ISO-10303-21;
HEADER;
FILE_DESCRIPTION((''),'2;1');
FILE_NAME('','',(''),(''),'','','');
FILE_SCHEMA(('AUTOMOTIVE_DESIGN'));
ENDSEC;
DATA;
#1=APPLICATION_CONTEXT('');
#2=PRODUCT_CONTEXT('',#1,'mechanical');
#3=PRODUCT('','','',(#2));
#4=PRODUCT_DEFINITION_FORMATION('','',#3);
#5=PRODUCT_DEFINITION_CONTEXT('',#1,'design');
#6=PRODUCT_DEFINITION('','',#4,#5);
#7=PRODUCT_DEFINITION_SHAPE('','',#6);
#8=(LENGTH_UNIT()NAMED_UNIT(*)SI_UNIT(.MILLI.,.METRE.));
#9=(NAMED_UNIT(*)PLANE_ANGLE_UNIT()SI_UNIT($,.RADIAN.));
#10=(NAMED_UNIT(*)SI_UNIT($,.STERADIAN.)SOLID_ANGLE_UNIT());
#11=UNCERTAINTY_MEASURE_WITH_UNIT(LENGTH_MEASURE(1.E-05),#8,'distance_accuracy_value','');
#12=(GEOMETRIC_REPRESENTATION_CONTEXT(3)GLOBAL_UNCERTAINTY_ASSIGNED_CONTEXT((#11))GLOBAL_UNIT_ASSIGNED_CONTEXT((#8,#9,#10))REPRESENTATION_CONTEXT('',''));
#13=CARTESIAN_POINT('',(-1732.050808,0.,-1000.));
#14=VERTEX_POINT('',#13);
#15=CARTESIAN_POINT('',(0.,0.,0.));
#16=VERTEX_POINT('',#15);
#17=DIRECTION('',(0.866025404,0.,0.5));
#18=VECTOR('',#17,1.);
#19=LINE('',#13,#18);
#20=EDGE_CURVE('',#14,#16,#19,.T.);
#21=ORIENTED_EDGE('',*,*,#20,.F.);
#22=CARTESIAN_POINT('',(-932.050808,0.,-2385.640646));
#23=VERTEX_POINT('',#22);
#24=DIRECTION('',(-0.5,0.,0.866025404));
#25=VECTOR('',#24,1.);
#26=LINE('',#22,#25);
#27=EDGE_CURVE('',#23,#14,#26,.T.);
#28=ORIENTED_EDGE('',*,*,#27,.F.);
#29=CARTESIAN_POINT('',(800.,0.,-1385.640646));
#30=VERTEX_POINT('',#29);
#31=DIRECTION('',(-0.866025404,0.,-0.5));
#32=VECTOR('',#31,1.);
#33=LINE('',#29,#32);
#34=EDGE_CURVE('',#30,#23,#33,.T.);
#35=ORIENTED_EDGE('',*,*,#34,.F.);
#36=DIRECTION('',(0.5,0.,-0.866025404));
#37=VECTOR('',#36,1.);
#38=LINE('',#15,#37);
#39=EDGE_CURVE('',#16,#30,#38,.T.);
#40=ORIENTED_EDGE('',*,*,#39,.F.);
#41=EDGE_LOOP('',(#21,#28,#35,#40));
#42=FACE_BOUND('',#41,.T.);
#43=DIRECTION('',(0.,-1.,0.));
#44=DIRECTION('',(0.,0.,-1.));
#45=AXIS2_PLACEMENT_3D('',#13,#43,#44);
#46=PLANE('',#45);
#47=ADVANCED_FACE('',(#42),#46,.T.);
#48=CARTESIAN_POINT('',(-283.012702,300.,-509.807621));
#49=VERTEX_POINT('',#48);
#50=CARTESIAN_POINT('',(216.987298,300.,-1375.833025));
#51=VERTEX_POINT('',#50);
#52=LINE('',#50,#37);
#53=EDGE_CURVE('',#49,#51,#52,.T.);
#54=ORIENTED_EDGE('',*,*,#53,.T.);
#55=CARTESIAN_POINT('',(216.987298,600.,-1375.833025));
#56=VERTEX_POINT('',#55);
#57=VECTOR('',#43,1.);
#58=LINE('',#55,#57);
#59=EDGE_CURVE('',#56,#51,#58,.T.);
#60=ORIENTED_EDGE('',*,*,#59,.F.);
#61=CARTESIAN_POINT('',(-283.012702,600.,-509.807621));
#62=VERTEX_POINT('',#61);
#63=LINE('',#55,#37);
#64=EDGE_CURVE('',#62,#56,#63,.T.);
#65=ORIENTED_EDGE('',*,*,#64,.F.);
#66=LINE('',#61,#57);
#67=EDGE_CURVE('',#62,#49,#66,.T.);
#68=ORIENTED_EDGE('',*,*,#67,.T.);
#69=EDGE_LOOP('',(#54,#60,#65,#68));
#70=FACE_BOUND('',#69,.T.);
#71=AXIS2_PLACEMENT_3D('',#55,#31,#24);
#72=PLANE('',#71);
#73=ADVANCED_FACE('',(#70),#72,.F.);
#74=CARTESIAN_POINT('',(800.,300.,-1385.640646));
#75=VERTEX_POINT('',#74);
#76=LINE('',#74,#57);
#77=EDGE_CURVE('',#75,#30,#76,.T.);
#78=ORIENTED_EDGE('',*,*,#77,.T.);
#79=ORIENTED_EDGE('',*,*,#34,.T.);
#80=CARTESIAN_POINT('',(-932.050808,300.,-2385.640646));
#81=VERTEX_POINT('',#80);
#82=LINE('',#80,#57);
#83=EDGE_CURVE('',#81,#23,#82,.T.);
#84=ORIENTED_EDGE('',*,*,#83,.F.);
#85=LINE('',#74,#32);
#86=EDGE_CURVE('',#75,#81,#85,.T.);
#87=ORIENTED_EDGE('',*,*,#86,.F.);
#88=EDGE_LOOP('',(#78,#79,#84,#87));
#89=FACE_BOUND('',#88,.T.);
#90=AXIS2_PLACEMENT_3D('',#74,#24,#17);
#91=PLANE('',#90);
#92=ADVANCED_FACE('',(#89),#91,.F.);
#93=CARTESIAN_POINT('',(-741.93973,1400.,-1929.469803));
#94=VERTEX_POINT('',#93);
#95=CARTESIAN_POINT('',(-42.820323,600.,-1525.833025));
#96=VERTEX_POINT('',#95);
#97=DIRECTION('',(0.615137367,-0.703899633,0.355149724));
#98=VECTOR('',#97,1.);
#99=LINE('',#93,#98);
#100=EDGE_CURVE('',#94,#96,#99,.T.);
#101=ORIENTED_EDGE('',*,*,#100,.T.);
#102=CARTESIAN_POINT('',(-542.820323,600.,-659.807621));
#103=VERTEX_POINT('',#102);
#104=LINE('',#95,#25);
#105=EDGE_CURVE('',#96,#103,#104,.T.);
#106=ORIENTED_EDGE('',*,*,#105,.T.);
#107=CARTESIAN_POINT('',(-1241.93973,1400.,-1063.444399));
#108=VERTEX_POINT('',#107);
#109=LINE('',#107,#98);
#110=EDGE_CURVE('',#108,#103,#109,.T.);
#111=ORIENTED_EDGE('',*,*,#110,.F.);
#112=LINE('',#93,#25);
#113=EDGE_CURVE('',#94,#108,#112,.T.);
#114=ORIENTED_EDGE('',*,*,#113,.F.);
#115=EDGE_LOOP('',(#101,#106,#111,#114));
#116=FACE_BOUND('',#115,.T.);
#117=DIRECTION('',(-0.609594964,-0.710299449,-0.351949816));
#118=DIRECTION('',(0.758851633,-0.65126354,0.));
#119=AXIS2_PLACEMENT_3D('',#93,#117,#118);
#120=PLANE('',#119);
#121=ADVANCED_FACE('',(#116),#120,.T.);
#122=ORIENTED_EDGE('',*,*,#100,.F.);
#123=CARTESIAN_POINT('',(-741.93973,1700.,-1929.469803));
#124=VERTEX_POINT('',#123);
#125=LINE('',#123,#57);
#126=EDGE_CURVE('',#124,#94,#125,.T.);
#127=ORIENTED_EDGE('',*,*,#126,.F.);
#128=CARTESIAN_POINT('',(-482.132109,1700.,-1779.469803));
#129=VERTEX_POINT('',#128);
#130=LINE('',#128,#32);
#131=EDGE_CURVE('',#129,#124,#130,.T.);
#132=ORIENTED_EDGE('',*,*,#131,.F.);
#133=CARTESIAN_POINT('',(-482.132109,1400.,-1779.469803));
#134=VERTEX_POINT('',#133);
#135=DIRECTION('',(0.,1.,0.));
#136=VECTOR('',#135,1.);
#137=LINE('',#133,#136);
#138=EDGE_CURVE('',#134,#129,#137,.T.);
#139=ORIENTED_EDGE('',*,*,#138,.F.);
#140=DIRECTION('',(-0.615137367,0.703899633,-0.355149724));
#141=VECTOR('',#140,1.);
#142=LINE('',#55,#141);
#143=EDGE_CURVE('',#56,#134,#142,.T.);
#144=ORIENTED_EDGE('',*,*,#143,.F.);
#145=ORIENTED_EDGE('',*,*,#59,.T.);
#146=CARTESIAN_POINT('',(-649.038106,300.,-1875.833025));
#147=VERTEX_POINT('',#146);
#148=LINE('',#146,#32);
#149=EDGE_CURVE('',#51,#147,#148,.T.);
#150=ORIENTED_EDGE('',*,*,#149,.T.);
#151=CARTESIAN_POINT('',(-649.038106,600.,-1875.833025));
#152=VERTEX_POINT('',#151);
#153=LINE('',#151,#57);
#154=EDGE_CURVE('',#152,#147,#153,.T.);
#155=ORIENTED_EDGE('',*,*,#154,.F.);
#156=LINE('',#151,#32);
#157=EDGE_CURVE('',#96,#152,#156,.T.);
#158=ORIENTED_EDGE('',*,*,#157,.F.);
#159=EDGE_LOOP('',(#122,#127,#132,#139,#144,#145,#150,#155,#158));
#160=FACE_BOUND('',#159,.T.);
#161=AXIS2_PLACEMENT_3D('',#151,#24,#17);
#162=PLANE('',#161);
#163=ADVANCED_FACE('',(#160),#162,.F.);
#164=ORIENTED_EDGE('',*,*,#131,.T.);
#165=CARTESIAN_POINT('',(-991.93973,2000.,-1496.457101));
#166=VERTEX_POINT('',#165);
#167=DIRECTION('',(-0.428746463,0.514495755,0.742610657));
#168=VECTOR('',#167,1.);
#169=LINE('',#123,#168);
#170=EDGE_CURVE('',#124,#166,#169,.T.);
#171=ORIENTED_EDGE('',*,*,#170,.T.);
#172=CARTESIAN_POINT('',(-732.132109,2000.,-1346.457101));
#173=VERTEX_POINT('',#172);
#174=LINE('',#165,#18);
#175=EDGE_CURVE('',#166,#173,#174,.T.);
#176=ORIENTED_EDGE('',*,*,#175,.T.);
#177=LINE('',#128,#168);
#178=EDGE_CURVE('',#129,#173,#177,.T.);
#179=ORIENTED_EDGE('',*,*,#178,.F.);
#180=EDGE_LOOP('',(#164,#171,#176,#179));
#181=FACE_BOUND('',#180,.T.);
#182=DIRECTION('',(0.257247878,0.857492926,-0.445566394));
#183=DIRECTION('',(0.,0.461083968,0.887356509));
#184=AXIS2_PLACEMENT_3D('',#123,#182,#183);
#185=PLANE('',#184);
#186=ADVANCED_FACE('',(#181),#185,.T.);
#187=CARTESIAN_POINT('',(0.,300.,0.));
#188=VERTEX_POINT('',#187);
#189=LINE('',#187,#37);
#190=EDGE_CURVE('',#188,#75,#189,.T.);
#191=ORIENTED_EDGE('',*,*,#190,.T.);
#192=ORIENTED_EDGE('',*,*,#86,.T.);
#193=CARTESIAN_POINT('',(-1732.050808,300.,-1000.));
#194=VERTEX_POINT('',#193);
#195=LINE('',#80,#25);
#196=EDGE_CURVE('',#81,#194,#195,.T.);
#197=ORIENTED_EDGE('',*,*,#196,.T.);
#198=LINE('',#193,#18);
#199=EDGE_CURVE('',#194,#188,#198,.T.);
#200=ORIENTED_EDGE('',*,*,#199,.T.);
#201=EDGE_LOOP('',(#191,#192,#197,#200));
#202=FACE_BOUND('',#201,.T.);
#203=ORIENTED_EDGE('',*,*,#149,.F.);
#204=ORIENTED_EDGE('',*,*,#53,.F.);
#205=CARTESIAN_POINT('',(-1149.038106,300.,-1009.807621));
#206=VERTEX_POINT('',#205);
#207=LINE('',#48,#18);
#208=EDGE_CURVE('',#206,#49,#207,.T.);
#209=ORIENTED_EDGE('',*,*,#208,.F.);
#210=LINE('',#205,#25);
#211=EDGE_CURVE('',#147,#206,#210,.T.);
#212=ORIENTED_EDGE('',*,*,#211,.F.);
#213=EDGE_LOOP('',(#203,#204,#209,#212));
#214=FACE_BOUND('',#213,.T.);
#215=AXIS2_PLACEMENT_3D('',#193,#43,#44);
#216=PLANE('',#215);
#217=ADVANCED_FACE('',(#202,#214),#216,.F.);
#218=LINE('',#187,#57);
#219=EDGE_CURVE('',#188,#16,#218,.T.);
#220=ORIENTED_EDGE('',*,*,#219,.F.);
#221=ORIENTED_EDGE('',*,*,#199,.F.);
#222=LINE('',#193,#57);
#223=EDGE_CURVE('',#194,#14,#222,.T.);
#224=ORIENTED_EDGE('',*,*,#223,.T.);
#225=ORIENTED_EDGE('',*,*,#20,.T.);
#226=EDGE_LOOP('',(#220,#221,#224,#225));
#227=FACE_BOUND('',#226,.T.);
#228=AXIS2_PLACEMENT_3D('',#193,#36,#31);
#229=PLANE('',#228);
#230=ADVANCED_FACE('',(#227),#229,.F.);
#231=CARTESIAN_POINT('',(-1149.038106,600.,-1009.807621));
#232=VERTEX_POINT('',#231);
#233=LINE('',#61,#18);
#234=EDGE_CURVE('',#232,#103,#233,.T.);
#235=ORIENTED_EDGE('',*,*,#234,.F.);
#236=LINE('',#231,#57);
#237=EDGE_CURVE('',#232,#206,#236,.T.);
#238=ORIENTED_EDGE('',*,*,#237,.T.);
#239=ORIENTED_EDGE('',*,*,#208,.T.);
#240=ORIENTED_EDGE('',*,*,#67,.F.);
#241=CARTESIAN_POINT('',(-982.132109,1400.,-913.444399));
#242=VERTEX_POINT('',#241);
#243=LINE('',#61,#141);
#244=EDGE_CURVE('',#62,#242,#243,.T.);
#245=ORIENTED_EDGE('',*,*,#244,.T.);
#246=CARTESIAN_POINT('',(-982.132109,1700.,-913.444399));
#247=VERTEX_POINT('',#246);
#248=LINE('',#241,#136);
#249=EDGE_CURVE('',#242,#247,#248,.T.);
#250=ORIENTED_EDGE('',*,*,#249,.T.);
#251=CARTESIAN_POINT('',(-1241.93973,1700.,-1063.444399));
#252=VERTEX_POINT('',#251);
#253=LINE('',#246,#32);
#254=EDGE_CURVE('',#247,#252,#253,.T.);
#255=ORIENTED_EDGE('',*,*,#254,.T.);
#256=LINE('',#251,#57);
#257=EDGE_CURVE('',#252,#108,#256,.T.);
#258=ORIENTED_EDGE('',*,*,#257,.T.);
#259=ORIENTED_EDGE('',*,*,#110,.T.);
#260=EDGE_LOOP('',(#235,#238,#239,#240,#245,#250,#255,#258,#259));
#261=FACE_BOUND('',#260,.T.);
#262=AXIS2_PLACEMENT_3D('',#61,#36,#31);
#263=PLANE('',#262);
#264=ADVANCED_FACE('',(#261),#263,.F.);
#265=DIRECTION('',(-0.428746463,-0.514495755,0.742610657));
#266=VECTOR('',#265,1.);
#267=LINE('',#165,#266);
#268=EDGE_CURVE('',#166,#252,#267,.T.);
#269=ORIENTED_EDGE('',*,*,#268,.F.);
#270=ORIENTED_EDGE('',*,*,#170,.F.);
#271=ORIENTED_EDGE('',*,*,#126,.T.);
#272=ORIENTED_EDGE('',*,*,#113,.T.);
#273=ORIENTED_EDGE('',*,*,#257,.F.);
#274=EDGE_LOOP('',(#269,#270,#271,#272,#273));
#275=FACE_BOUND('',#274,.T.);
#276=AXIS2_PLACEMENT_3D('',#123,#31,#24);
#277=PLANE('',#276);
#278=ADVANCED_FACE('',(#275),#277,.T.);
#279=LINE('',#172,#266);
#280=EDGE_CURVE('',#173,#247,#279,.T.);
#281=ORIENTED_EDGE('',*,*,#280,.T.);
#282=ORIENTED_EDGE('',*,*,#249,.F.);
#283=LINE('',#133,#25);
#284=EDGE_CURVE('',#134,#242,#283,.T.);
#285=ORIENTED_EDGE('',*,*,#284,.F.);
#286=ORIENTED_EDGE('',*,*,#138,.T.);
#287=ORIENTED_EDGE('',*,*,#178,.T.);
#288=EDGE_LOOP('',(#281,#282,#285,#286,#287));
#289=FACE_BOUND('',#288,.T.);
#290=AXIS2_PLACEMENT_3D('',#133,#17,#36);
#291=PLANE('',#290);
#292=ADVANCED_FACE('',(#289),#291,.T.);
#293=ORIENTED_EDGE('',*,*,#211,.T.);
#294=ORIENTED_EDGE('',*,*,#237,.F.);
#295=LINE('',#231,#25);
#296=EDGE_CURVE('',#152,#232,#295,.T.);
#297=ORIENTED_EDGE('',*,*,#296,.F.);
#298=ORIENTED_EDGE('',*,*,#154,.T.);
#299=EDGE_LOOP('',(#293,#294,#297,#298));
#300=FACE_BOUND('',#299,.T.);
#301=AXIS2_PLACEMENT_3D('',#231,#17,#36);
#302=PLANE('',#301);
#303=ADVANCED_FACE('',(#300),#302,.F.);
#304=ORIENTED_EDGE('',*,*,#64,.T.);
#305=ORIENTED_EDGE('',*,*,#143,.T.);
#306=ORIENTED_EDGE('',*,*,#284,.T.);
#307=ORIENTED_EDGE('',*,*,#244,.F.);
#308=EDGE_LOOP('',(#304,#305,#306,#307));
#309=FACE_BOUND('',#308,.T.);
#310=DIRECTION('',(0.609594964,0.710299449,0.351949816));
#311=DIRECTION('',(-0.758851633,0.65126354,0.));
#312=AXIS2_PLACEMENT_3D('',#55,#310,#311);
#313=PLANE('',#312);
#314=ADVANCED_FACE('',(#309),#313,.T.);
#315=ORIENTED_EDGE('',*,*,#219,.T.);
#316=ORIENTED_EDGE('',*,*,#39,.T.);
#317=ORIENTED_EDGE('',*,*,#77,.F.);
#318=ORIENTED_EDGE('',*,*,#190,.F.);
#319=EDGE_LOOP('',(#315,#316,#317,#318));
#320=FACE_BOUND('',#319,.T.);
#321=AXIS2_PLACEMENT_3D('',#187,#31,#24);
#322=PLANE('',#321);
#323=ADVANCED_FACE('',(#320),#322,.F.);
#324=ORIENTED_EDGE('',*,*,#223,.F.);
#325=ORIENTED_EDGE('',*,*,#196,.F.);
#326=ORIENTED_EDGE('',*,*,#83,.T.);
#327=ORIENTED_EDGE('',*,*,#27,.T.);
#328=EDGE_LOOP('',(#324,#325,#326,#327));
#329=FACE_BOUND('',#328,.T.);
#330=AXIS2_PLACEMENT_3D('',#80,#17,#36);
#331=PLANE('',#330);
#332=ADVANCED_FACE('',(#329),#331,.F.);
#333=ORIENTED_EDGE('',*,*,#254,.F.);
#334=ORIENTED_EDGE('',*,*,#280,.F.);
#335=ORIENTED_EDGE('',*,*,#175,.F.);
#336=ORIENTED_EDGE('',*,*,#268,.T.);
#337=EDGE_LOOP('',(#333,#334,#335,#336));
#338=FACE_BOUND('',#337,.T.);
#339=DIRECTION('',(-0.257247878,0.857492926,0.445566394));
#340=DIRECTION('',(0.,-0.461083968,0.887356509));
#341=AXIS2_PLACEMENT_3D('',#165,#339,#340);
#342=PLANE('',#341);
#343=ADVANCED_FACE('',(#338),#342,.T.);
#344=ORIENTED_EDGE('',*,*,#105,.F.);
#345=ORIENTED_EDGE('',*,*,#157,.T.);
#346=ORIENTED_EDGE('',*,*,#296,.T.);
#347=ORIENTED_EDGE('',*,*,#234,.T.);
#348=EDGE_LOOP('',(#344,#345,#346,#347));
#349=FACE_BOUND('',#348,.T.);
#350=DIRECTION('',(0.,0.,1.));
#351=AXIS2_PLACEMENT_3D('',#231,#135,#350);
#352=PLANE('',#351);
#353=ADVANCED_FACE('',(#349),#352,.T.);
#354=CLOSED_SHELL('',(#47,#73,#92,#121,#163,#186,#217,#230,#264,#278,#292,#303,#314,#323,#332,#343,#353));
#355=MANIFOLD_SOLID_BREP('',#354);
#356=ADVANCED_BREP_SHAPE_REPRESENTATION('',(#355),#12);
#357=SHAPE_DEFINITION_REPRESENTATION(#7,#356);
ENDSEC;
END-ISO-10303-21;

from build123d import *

# Parameters (mm, degrees)
EXTRUDE1_DEPTH = 300
EXTRUDE2_DEPTH = 300
EXTRUDE3_DEPTH = 1000
EXTRUDE4_DEPTH = 300


with BuildPart() as part:
    # Sketch1 → Extrude1 (new body)
    with BuildSketch(Plane(origin=(0, 0, 0), x_dir=(1, 0, 0), z_dir=(0, 1, 0))):
        Polygon((0, 0), (800, 1385.640646055), (-932.050807569, 2385.640646055), (-1732.050807569, 1000), align=None)
    extrude(amount=EXTRUDE1_DEPTH)

    # Sketch2 → Extrude2 (add)
    with BuildSketch(Plane(origin=(0, 300, 0), x_dir=(-1, 0, 0), z_dir=(0, 1, 0))):
        Polygon((649.038105677, -1875.83302492), (-216.987298108, -1375.83302492), (283.012701892, -509.807621135), (1149.038105677, -1009.807621135), align=None)
    extrude(amount=EXTRUDE2_DEPTH)

    # Sketch3 → Extrude3 (add)
    with BuildSketch(Plane(origin=(150, 0, -259.807621135), x_dir=(0.866025404, 0, 0.5), z_dir=(-0.5, 0, 0.866025404))):
        Polygon((-500, 600), (-1307.273555505, 1400), (-1307.273555505, 1700), (-1607.273555505, 1700), (-1607.273555505, 1400), (-800, 600), align=None)
    extrude(amount=-EXTRUDE3_DEPTH)

    # Sketch4 → Extrude4 (add)
    with BuildSketch(Plane(origin=(-1132.132108763, 0, -653.636777752), x_dir=(0.5, 0, -0.866025404), z_dir=(0.866025404, 0, 0.5))):
        Polygon((300, 1700), (1300, 1700), (800, 2000), align=None)
    extrude(amount=-EXTRUDE4_DEPTH)


solid = part.part
